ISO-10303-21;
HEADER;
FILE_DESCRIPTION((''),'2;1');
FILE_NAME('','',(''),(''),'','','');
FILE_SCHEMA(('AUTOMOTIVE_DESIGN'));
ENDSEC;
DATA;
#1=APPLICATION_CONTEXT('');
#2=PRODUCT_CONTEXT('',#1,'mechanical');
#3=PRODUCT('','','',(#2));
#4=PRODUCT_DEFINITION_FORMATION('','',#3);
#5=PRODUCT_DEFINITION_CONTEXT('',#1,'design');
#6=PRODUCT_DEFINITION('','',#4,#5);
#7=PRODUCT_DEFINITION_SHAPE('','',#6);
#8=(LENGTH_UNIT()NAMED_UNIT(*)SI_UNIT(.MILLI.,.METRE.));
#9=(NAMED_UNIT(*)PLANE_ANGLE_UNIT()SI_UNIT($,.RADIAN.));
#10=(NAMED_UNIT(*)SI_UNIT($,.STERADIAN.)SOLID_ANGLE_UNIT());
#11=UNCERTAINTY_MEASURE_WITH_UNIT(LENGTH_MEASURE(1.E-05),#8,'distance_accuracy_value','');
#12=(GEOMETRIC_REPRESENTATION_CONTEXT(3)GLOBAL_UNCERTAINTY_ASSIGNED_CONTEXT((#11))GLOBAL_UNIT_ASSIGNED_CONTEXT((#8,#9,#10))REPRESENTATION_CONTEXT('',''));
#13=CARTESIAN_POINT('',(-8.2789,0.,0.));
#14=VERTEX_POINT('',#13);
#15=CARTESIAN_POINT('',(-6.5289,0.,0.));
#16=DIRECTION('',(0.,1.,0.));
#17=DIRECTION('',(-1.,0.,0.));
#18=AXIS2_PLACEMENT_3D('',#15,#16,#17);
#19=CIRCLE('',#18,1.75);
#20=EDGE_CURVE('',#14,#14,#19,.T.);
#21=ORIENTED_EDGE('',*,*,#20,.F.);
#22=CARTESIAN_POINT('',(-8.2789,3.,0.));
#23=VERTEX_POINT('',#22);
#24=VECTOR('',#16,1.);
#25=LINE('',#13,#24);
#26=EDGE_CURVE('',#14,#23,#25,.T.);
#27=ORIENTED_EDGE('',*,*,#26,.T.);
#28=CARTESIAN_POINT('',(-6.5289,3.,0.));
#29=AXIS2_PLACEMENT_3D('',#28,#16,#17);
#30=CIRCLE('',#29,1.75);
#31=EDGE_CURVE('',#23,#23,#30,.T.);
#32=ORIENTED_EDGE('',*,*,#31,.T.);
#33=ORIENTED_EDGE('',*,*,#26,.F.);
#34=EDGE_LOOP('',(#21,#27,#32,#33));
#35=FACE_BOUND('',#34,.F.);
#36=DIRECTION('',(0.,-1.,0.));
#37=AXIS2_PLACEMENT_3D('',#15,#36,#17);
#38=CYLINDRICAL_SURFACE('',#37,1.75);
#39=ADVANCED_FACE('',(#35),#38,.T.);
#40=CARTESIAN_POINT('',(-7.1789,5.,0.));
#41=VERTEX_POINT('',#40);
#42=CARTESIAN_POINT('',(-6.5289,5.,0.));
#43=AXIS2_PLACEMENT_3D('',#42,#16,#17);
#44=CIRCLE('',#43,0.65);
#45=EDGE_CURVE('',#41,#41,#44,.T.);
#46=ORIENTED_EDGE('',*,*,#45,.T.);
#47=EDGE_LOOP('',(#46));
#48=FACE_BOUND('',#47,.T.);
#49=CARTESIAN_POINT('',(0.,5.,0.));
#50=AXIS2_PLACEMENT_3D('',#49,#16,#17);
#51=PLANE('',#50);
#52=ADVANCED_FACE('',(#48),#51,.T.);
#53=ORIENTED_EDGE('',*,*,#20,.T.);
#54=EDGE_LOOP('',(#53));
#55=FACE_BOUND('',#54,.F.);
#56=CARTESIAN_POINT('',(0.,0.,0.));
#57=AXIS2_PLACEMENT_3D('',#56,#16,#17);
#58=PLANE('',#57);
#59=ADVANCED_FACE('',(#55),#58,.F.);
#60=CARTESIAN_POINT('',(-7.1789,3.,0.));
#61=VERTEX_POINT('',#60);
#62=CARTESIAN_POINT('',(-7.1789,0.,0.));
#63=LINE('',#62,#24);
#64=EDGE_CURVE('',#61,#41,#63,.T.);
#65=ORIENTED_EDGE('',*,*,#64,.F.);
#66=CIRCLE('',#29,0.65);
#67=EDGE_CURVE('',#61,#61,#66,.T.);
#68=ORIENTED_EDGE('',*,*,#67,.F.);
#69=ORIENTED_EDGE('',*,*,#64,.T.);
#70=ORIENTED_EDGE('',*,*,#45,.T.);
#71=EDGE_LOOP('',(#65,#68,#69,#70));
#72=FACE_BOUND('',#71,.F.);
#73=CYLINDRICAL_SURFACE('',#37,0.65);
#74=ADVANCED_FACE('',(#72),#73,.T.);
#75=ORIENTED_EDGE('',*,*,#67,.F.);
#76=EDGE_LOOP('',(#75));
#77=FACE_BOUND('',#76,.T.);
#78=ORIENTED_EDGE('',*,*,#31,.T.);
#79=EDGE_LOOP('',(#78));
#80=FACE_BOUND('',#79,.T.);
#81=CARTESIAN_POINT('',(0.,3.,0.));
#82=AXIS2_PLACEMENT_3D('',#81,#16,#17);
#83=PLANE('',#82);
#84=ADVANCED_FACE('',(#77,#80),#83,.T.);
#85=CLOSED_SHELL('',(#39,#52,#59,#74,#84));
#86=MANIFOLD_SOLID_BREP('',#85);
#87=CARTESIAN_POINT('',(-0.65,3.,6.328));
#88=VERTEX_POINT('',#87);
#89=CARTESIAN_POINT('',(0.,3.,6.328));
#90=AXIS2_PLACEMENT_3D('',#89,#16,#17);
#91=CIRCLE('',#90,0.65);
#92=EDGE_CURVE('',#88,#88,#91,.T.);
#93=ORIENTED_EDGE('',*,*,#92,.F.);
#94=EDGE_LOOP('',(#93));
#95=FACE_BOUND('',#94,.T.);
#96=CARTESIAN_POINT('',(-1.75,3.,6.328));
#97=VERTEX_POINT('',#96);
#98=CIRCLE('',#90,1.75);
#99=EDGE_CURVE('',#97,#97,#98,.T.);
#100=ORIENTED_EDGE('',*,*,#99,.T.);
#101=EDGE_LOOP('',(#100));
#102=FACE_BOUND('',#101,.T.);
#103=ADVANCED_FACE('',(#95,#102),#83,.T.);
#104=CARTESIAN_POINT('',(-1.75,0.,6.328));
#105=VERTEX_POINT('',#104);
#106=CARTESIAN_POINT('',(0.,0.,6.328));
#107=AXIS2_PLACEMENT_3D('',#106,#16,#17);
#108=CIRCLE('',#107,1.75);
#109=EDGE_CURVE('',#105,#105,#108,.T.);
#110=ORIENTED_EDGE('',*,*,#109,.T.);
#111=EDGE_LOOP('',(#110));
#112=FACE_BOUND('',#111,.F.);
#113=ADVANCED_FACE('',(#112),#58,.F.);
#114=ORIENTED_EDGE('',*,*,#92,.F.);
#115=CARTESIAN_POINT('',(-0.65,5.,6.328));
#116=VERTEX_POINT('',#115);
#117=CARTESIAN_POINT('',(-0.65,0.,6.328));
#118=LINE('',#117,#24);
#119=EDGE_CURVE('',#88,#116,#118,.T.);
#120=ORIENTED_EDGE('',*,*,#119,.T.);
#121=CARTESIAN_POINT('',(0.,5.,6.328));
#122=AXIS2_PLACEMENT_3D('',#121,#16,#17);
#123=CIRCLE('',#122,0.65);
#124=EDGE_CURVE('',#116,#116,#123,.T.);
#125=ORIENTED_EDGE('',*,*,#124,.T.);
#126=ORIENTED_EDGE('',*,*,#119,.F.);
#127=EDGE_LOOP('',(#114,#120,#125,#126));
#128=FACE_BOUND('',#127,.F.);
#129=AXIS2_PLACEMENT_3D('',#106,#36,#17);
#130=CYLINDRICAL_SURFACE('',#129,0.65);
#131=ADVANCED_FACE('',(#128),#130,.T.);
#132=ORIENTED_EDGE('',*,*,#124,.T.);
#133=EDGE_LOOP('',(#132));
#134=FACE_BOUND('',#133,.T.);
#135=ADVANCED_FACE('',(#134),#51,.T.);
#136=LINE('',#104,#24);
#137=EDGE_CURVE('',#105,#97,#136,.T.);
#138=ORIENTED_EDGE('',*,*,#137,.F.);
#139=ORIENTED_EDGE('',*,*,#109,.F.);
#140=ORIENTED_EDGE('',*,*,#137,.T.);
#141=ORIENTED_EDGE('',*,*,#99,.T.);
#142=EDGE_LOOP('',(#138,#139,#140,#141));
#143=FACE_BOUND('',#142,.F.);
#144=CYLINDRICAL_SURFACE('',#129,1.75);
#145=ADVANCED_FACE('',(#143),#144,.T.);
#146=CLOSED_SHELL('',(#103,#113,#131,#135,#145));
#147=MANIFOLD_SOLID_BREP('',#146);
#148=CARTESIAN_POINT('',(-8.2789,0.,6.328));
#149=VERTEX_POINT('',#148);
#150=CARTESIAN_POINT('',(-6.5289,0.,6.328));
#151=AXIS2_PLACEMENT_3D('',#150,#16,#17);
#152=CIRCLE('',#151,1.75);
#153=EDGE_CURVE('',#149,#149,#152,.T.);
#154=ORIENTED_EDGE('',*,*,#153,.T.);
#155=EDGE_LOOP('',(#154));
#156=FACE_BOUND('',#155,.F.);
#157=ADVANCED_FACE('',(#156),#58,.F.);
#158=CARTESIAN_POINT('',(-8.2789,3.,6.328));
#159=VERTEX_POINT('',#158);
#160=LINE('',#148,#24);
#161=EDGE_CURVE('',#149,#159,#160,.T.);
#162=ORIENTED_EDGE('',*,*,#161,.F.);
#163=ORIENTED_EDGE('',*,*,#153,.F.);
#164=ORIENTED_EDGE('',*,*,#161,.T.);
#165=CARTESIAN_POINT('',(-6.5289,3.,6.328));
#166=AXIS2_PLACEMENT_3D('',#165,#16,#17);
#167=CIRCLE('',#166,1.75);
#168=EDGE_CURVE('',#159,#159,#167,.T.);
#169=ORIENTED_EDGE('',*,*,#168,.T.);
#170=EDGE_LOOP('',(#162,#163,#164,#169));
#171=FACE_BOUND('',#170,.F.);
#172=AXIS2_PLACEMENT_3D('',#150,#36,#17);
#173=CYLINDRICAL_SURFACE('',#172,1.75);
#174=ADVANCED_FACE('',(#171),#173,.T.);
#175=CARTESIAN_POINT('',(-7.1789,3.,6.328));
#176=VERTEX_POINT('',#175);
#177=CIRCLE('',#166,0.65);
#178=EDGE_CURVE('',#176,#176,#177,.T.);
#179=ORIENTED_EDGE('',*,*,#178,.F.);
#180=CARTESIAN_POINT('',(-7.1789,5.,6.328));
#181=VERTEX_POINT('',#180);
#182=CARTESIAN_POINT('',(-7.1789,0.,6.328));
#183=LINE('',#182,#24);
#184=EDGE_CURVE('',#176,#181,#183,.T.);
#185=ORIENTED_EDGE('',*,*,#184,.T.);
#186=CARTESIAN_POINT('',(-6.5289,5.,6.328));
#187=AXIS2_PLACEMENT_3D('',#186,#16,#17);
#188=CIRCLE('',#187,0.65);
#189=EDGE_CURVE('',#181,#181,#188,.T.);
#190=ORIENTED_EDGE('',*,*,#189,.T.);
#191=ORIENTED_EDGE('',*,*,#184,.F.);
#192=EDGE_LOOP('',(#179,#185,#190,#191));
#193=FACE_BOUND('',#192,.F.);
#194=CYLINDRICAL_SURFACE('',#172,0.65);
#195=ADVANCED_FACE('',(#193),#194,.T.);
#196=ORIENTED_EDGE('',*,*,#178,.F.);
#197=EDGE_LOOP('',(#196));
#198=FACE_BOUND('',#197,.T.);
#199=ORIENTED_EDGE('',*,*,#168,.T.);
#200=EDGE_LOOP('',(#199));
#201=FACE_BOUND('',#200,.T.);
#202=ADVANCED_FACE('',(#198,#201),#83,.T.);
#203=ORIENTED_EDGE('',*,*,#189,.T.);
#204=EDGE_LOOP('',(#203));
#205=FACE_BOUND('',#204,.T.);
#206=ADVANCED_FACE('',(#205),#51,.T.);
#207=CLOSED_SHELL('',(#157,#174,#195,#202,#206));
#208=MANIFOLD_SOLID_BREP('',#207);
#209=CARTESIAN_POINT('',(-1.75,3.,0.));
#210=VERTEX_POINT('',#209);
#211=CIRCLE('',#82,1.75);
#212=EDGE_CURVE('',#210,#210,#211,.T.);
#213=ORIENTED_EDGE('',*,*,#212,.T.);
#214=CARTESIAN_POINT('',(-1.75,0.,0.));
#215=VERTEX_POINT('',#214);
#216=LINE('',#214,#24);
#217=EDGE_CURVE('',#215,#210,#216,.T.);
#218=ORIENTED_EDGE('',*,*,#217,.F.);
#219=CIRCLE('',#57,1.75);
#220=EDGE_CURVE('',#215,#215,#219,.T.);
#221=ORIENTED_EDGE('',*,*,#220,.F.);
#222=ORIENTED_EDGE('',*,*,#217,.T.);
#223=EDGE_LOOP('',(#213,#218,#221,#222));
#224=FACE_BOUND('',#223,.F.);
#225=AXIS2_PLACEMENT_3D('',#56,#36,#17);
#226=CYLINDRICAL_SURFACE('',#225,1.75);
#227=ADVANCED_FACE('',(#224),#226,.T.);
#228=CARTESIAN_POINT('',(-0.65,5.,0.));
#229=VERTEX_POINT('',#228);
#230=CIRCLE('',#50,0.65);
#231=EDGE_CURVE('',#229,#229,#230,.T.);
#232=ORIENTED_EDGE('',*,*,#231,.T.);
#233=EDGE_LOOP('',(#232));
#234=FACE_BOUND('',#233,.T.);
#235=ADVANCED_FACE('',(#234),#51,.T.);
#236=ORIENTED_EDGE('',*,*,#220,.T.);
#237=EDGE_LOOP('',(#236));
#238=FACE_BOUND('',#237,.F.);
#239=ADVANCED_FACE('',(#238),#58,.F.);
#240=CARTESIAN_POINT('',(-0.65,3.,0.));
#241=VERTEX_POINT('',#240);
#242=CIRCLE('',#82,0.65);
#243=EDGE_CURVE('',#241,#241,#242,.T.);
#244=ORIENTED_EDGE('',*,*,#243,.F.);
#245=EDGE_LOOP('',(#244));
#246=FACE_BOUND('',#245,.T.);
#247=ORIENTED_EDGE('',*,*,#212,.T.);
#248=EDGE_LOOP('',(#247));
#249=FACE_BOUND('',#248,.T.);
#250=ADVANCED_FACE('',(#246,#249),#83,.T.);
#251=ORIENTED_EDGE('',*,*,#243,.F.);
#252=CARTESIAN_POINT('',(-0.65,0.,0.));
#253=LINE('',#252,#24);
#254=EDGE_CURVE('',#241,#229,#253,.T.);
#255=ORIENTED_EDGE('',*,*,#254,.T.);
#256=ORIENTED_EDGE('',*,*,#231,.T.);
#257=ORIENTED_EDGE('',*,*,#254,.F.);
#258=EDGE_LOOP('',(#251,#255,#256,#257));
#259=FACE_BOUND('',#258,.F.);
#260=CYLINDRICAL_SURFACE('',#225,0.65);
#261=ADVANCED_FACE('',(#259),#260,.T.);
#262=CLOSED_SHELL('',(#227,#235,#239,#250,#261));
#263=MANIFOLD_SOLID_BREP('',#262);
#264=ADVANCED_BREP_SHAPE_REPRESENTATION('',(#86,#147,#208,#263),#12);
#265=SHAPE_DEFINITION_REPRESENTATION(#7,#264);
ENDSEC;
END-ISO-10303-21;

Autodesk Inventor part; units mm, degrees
ref_plane "YZ Plane" through (0, 0, 0) normal (1, 0, 0) x (0, 1, 0)
ref_plane "XZ Plane" through (0, 0, 0) normal (0, 1, 0) x (-1, 0, 0)
ref_plane "XY Plane" through (0, 0, 0) normal (0, 0, 1) x (1, 0, 0)
sketch "Sketch1" plane through (0, 0, 0) normal (0, 1, 0) x (-1, 0, 0)
  circle A0 centre (0, 0) radius 1.75
  line L0 (-2.5887, 3.164) -> (5.0816, 3.164) construction
  circle A1 centre (0, 0) radius 0.65
  circle A2 centre (0, 6.328) radius 1.75
  circle A3 centre (0, 6.328) radius 0.65
  line L1 (3.2644, 7.3505) -> (3.2644, -3.3711) construction
  circle A4 centre (6.5289, 0) radius 1.75
  circle A5 centre (6.5289, 0) radius 0.65
  circle A6 centre (6.5289, 6.328) radius 1.75
  circle A7 centre (6.5289, 6.328) radius 0.65
  dimension "d0" = 3.5
  dimension "d1" = 1.3
extrude "Extrusion1" add sketch "Sketch1" along normal blind 3
extrude "Extrusion2" add sketch "Sketch1" along normal blind 5 contours A1 | A3 | A5 | A7
